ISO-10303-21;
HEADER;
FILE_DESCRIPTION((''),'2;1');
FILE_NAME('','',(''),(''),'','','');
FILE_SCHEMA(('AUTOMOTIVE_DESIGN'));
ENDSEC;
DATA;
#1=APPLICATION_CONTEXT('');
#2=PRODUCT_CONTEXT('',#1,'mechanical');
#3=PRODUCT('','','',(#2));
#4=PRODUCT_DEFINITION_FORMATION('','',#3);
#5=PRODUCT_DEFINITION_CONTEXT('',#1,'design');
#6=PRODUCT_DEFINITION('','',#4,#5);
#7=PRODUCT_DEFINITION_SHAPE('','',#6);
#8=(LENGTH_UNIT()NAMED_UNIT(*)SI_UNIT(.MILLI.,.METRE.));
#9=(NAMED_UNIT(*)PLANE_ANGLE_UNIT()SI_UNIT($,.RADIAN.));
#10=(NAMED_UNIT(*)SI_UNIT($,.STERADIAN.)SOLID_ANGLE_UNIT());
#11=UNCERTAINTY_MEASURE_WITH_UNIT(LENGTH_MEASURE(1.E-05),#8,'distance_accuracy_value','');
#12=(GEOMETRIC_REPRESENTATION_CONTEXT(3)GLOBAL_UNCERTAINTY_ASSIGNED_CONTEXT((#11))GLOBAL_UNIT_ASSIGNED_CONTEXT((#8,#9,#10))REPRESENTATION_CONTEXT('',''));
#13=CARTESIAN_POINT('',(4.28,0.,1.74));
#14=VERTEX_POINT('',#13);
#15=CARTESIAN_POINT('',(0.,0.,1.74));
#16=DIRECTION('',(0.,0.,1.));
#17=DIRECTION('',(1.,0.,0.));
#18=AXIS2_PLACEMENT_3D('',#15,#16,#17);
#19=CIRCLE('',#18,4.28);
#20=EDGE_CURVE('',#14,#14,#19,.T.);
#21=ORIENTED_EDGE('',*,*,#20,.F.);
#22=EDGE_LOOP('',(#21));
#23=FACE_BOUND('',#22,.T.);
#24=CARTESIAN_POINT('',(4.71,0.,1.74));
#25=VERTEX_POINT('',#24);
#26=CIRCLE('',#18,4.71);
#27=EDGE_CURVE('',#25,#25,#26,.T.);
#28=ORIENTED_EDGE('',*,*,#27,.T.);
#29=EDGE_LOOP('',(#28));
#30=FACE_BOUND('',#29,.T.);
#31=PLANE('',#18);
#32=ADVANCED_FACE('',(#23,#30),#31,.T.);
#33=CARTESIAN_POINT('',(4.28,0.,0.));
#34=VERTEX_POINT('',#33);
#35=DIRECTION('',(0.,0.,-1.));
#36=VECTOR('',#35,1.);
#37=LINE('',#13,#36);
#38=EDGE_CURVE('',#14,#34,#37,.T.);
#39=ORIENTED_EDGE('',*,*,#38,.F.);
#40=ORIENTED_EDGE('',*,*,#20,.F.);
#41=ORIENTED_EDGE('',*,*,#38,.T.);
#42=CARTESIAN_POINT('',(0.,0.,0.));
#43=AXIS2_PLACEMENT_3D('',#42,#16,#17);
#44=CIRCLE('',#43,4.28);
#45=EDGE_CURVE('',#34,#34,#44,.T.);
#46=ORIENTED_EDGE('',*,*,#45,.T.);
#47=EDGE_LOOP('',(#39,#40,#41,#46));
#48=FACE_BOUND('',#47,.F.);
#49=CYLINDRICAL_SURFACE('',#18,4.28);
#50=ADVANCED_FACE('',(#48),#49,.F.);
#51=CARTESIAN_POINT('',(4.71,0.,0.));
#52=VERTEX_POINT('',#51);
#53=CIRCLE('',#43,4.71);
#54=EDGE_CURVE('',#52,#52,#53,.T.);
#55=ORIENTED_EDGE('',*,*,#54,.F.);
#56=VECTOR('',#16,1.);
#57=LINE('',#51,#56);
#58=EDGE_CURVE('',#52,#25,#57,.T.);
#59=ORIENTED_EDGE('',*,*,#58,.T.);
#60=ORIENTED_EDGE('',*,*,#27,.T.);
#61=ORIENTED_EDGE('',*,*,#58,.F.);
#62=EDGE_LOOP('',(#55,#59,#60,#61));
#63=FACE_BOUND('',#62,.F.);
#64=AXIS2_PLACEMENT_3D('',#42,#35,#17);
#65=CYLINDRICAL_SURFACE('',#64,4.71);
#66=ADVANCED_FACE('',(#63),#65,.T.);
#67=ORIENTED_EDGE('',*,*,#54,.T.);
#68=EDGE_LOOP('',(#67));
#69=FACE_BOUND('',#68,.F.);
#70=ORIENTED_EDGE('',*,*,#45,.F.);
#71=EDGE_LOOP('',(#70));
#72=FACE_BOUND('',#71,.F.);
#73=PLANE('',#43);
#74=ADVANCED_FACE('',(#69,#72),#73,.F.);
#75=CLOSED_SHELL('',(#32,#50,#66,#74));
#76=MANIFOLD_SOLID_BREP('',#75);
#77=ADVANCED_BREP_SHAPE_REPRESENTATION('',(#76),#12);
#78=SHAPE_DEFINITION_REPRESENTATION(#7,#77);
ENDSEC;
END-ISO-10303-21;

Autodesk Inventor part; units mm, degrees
ref_plane "YZ Plane" through (0, 0, 0) normal (1, 0, 0) x (0, 1, 0)
ref_plane "XZ Plane" through (0, 0, 0) normal (0, 1, 0) x (-1, 0, 0)
ref_plane "XY Plane" through (0, 0, 0) normal (0, 0, 1) x (1, 0, 0)
sketch "Sketch1" plane through (0, 0, 0) normal (0, 0, 1) x (1, 0, 0)
  circle A0 centre (0, 0) radius 4.71
  dimension "d0" = 9.42
extrude "Extrusion1" add sketch "Sketch1" along normal blind 1.74
sketch "Sketch2" plane through (0, 0, 1.74) normal (0, 0, 1) x (1, 0, 0)
  circle A0 centre (0, 0) radius 4.28
  dimension "d3" = 8.56
extrude "Extrusion2" cut sketch "Sketch2" against normal through all
properties part number "MIRROR_C_2"
